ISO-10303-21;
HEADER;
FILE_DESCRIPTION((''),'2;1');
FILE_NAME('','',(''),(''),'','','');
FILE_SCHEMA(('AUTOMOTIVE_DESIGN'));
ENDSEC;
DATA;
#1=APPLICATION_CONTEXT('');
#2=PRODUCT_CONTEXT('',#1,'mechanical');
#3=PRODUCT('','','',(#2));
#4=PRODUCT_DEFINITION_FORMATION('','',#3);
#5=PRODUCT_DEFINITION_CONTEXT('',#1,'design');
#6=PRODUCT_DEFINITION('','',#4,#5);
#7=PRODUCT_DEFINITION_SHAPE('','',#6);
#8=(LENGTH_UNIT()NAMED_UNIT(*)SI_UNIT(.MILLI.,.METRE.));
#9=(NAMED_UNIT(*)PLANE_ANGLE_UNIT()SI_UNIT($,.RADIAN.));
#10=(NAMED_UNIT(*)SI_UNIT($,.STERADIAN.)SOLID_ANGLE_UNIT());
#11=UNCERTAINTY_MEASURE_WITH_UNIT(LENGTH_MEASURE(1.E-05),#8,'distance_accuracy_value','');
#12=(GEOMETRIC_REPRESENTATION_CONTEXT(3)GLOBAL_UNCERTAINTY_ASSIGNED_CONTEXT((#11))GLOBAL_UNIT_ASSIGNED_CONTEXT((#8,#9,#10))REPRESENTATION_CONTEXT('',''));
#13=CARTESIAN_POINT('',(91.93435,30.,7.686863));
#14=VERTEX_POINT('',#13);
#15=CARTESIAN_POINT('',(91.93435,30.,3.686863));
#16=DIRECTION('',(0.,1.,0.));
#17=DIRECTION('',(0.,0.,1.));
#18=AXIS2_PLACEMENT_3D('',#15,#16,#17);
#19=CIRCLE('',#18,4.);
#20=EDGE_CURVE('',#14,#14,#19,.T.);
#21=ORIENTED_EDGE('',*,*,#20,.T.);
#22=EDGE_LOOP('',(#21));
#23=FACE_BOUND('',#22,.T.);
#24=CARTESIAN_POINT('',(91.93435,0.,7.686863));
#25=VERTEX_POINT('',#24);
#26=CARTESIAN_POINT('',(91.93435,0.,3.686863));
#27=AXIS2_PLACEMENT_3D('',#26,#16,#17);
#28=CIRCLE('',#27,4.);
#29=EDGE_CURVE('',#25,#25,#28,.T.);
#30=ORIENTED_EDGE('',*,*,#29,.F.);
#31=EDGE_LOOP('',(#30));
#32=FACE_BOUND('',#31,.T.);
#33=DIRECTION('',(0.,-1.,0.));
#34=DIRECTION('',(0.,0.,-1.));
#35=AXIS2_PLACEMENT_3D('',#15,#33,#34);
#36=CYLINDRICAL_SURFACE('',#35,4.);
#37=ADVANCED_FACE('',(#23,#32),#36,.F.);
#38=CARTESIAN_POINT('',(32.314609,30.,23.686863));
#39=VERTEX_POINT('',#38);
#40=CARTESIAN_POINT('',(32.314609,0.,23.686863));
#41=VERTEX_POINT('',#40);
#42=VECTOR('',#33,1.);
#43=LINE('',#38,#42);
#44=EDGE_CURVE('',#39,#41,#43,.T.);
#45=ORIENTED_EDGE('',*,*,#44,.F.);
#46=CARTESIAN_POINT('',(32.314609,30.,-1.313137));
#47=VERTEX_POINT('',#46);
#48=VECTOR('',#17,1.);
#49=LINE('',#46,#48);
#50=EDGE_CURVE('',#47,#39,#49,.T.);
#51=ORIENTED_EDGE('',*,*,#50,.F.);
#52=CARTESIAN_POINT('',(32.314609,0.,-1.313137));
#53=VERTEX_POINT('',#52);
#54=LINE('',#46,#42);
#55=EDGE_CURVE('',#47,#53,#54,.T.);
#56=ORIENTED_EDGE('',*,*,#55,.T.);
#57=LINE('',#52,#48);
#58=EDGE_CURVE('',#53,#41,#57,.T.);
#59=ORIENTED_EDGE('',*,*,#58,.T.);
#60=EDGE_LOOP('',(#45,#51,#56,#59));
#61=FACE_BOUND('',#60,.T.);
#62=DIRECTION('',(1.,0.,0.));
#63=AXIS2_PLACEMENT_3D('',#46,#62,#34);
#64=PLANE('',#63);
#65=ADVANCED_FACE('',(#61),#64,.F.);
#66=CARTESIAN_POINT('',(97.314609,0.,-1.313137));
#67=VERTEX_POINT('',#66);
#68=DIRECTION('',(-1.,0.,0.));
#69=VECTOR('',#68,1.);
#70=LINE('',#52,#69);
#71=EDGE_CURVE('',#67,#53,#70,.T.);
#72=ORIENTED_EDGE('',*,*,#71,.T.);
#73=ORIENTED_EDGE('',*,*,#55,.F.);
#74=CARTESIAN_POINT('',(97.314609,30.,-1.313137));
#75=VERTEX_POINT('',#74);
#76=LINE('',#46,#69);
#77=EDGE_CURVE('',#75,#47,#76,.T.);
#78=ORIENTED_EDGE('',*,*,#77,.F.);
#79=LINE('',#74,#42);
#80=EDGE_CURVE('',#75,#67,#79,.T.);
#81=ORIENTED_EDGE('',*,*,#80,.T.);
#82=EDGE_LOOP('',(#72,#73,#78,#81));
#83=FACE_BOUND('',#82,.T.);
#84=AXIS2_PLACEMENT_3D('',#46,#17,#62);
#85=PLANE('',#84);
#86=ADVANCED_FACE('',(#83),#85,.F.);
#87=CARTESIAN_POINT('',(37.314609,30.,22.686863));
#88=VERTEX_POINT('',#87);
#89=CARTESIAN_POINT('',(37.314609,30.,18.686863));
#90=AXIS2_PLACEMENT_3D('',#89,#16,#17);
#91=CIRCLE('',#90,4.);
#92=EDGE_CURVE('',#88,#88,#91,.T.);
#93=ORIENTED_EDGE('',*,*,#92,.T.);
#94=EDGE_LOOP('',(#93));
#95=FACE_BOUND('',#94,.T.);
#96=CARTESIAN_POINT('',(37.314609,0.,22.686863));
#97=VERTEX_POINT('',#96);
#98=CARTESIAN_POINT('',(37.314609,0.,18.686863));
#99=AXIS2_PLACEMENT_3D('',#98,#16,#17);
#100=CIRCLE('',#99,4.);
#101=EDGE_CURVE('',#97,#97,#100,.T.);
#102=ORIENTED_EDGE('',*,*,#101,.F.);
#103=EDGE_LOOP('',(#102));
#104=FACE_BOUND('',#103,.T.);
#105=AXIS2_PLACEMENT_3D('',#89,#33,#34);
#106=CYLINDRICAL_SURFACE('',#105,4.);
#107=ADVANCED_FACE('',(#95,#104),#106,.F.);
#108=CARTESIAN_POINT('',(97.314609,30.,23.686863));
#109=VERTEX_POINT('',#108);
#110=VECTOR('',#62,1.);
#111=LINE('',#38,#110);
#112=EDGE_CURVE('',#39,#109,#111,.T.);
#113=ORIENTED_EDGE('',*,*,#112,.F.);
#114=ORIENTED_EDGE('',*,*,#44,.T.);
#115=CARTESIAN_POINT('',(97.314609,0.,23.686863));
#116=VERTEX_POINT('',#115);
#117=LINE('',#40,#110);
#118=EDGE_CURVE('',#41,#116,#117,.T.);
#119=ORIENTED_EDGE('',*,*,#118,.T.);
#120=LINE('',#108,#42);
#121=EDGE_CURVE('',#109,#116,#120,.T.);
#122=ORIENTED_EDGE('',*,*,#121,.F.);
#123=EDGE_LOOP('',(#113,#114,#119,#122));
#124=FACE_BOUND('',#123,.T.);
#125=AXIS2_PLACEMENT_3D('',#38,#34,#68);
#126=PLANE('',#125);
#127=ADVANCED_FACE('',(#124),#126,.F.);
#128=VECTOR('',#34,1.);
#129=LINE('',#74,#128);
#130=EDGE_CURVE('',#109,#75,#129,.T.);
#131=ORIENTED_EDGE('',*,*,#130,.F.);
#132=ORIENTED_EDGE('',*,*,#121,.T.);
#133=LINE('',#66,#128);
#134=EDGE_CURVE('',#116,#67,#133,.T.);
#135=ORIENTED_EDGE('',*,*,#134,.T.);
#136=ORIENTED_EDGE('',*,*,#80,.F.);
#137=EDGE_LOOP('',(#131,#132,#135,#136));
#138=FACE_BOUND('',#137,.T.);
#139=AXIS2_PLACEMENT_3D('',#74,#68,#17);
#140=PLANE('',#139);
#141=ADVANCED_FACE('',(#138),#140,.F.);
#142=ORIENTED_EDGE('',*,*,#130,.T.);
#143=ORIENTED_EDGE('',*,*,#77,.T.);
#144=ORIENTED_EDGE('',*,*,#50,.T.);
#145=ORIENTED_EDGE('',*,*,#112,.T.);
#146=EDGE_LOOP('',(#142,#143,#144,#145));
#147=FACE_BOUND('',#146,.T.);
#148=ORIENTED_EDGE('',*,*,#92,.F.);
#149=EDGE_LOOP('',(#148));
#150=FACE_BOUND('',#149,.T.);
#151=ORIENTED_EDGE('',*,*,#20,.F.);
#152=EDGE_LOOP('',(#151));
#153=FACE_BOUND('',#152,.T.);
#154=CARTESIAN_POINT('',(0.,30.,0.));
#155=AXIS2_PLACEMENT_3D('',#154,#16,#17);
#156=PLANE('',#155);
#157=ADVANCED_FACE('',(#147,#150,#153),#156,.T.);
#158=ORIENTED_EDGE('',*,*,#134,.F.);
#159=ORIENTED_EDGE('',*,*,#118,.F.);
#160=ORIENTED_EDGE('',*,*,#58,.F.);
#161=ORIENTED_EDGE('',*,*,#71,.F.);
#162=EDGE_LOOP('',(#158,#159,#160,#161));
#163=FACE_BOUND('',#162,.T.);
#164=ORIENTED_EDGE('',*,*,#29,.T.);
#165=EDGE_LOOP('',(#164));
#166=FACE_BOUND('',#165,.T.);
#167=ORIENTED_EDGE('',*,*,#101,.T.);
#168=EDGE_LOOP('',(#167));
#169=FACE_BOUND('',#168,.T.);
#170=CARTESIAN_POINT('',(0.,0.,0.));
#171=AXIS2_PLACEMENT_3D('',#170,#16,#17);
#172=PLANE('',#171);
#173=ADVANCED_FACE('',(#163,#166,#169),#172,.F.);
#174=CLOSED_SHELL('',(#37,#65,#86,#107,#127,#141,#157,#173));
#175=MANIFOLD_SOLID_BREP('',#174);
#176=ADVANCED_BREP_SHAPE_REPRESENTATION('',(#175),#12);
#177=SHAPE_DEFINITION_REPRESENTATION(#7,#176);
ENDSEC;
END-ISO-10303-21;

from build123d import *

# Parameters (mm, degrees)
SKETCH1_W           = 65
SKETCH1_H           = 25
SKETCH1_R           = 4
BOSS_EXTRUDE1_DEPTH = 30


with BuildPart() as part:
    # Sketch1 → Boss-Extrude1 (new body)
    with BuildSketch(Plane(origin=(0, 0, 0), x_dir=(1, 0, 0), z_dir=(0, 1, 0))):
        with Locations((64.814608674, -11.186863063)):
            Rectangle(SKETCH1_W, SKETCH1_H)
        with Locations((37.314608674, -18.686863063)):
            Circle(SKETCH1_R, mode=Mode.SUBTRACT)
        with Locations((91.934350197, -3.686863063)):
            Circle(SKETCH1_R, mode=Mode.SUBTRACT)
    extrude(amount=BOSS_EXTRUDE1_DEPTH)


solid = part.part
